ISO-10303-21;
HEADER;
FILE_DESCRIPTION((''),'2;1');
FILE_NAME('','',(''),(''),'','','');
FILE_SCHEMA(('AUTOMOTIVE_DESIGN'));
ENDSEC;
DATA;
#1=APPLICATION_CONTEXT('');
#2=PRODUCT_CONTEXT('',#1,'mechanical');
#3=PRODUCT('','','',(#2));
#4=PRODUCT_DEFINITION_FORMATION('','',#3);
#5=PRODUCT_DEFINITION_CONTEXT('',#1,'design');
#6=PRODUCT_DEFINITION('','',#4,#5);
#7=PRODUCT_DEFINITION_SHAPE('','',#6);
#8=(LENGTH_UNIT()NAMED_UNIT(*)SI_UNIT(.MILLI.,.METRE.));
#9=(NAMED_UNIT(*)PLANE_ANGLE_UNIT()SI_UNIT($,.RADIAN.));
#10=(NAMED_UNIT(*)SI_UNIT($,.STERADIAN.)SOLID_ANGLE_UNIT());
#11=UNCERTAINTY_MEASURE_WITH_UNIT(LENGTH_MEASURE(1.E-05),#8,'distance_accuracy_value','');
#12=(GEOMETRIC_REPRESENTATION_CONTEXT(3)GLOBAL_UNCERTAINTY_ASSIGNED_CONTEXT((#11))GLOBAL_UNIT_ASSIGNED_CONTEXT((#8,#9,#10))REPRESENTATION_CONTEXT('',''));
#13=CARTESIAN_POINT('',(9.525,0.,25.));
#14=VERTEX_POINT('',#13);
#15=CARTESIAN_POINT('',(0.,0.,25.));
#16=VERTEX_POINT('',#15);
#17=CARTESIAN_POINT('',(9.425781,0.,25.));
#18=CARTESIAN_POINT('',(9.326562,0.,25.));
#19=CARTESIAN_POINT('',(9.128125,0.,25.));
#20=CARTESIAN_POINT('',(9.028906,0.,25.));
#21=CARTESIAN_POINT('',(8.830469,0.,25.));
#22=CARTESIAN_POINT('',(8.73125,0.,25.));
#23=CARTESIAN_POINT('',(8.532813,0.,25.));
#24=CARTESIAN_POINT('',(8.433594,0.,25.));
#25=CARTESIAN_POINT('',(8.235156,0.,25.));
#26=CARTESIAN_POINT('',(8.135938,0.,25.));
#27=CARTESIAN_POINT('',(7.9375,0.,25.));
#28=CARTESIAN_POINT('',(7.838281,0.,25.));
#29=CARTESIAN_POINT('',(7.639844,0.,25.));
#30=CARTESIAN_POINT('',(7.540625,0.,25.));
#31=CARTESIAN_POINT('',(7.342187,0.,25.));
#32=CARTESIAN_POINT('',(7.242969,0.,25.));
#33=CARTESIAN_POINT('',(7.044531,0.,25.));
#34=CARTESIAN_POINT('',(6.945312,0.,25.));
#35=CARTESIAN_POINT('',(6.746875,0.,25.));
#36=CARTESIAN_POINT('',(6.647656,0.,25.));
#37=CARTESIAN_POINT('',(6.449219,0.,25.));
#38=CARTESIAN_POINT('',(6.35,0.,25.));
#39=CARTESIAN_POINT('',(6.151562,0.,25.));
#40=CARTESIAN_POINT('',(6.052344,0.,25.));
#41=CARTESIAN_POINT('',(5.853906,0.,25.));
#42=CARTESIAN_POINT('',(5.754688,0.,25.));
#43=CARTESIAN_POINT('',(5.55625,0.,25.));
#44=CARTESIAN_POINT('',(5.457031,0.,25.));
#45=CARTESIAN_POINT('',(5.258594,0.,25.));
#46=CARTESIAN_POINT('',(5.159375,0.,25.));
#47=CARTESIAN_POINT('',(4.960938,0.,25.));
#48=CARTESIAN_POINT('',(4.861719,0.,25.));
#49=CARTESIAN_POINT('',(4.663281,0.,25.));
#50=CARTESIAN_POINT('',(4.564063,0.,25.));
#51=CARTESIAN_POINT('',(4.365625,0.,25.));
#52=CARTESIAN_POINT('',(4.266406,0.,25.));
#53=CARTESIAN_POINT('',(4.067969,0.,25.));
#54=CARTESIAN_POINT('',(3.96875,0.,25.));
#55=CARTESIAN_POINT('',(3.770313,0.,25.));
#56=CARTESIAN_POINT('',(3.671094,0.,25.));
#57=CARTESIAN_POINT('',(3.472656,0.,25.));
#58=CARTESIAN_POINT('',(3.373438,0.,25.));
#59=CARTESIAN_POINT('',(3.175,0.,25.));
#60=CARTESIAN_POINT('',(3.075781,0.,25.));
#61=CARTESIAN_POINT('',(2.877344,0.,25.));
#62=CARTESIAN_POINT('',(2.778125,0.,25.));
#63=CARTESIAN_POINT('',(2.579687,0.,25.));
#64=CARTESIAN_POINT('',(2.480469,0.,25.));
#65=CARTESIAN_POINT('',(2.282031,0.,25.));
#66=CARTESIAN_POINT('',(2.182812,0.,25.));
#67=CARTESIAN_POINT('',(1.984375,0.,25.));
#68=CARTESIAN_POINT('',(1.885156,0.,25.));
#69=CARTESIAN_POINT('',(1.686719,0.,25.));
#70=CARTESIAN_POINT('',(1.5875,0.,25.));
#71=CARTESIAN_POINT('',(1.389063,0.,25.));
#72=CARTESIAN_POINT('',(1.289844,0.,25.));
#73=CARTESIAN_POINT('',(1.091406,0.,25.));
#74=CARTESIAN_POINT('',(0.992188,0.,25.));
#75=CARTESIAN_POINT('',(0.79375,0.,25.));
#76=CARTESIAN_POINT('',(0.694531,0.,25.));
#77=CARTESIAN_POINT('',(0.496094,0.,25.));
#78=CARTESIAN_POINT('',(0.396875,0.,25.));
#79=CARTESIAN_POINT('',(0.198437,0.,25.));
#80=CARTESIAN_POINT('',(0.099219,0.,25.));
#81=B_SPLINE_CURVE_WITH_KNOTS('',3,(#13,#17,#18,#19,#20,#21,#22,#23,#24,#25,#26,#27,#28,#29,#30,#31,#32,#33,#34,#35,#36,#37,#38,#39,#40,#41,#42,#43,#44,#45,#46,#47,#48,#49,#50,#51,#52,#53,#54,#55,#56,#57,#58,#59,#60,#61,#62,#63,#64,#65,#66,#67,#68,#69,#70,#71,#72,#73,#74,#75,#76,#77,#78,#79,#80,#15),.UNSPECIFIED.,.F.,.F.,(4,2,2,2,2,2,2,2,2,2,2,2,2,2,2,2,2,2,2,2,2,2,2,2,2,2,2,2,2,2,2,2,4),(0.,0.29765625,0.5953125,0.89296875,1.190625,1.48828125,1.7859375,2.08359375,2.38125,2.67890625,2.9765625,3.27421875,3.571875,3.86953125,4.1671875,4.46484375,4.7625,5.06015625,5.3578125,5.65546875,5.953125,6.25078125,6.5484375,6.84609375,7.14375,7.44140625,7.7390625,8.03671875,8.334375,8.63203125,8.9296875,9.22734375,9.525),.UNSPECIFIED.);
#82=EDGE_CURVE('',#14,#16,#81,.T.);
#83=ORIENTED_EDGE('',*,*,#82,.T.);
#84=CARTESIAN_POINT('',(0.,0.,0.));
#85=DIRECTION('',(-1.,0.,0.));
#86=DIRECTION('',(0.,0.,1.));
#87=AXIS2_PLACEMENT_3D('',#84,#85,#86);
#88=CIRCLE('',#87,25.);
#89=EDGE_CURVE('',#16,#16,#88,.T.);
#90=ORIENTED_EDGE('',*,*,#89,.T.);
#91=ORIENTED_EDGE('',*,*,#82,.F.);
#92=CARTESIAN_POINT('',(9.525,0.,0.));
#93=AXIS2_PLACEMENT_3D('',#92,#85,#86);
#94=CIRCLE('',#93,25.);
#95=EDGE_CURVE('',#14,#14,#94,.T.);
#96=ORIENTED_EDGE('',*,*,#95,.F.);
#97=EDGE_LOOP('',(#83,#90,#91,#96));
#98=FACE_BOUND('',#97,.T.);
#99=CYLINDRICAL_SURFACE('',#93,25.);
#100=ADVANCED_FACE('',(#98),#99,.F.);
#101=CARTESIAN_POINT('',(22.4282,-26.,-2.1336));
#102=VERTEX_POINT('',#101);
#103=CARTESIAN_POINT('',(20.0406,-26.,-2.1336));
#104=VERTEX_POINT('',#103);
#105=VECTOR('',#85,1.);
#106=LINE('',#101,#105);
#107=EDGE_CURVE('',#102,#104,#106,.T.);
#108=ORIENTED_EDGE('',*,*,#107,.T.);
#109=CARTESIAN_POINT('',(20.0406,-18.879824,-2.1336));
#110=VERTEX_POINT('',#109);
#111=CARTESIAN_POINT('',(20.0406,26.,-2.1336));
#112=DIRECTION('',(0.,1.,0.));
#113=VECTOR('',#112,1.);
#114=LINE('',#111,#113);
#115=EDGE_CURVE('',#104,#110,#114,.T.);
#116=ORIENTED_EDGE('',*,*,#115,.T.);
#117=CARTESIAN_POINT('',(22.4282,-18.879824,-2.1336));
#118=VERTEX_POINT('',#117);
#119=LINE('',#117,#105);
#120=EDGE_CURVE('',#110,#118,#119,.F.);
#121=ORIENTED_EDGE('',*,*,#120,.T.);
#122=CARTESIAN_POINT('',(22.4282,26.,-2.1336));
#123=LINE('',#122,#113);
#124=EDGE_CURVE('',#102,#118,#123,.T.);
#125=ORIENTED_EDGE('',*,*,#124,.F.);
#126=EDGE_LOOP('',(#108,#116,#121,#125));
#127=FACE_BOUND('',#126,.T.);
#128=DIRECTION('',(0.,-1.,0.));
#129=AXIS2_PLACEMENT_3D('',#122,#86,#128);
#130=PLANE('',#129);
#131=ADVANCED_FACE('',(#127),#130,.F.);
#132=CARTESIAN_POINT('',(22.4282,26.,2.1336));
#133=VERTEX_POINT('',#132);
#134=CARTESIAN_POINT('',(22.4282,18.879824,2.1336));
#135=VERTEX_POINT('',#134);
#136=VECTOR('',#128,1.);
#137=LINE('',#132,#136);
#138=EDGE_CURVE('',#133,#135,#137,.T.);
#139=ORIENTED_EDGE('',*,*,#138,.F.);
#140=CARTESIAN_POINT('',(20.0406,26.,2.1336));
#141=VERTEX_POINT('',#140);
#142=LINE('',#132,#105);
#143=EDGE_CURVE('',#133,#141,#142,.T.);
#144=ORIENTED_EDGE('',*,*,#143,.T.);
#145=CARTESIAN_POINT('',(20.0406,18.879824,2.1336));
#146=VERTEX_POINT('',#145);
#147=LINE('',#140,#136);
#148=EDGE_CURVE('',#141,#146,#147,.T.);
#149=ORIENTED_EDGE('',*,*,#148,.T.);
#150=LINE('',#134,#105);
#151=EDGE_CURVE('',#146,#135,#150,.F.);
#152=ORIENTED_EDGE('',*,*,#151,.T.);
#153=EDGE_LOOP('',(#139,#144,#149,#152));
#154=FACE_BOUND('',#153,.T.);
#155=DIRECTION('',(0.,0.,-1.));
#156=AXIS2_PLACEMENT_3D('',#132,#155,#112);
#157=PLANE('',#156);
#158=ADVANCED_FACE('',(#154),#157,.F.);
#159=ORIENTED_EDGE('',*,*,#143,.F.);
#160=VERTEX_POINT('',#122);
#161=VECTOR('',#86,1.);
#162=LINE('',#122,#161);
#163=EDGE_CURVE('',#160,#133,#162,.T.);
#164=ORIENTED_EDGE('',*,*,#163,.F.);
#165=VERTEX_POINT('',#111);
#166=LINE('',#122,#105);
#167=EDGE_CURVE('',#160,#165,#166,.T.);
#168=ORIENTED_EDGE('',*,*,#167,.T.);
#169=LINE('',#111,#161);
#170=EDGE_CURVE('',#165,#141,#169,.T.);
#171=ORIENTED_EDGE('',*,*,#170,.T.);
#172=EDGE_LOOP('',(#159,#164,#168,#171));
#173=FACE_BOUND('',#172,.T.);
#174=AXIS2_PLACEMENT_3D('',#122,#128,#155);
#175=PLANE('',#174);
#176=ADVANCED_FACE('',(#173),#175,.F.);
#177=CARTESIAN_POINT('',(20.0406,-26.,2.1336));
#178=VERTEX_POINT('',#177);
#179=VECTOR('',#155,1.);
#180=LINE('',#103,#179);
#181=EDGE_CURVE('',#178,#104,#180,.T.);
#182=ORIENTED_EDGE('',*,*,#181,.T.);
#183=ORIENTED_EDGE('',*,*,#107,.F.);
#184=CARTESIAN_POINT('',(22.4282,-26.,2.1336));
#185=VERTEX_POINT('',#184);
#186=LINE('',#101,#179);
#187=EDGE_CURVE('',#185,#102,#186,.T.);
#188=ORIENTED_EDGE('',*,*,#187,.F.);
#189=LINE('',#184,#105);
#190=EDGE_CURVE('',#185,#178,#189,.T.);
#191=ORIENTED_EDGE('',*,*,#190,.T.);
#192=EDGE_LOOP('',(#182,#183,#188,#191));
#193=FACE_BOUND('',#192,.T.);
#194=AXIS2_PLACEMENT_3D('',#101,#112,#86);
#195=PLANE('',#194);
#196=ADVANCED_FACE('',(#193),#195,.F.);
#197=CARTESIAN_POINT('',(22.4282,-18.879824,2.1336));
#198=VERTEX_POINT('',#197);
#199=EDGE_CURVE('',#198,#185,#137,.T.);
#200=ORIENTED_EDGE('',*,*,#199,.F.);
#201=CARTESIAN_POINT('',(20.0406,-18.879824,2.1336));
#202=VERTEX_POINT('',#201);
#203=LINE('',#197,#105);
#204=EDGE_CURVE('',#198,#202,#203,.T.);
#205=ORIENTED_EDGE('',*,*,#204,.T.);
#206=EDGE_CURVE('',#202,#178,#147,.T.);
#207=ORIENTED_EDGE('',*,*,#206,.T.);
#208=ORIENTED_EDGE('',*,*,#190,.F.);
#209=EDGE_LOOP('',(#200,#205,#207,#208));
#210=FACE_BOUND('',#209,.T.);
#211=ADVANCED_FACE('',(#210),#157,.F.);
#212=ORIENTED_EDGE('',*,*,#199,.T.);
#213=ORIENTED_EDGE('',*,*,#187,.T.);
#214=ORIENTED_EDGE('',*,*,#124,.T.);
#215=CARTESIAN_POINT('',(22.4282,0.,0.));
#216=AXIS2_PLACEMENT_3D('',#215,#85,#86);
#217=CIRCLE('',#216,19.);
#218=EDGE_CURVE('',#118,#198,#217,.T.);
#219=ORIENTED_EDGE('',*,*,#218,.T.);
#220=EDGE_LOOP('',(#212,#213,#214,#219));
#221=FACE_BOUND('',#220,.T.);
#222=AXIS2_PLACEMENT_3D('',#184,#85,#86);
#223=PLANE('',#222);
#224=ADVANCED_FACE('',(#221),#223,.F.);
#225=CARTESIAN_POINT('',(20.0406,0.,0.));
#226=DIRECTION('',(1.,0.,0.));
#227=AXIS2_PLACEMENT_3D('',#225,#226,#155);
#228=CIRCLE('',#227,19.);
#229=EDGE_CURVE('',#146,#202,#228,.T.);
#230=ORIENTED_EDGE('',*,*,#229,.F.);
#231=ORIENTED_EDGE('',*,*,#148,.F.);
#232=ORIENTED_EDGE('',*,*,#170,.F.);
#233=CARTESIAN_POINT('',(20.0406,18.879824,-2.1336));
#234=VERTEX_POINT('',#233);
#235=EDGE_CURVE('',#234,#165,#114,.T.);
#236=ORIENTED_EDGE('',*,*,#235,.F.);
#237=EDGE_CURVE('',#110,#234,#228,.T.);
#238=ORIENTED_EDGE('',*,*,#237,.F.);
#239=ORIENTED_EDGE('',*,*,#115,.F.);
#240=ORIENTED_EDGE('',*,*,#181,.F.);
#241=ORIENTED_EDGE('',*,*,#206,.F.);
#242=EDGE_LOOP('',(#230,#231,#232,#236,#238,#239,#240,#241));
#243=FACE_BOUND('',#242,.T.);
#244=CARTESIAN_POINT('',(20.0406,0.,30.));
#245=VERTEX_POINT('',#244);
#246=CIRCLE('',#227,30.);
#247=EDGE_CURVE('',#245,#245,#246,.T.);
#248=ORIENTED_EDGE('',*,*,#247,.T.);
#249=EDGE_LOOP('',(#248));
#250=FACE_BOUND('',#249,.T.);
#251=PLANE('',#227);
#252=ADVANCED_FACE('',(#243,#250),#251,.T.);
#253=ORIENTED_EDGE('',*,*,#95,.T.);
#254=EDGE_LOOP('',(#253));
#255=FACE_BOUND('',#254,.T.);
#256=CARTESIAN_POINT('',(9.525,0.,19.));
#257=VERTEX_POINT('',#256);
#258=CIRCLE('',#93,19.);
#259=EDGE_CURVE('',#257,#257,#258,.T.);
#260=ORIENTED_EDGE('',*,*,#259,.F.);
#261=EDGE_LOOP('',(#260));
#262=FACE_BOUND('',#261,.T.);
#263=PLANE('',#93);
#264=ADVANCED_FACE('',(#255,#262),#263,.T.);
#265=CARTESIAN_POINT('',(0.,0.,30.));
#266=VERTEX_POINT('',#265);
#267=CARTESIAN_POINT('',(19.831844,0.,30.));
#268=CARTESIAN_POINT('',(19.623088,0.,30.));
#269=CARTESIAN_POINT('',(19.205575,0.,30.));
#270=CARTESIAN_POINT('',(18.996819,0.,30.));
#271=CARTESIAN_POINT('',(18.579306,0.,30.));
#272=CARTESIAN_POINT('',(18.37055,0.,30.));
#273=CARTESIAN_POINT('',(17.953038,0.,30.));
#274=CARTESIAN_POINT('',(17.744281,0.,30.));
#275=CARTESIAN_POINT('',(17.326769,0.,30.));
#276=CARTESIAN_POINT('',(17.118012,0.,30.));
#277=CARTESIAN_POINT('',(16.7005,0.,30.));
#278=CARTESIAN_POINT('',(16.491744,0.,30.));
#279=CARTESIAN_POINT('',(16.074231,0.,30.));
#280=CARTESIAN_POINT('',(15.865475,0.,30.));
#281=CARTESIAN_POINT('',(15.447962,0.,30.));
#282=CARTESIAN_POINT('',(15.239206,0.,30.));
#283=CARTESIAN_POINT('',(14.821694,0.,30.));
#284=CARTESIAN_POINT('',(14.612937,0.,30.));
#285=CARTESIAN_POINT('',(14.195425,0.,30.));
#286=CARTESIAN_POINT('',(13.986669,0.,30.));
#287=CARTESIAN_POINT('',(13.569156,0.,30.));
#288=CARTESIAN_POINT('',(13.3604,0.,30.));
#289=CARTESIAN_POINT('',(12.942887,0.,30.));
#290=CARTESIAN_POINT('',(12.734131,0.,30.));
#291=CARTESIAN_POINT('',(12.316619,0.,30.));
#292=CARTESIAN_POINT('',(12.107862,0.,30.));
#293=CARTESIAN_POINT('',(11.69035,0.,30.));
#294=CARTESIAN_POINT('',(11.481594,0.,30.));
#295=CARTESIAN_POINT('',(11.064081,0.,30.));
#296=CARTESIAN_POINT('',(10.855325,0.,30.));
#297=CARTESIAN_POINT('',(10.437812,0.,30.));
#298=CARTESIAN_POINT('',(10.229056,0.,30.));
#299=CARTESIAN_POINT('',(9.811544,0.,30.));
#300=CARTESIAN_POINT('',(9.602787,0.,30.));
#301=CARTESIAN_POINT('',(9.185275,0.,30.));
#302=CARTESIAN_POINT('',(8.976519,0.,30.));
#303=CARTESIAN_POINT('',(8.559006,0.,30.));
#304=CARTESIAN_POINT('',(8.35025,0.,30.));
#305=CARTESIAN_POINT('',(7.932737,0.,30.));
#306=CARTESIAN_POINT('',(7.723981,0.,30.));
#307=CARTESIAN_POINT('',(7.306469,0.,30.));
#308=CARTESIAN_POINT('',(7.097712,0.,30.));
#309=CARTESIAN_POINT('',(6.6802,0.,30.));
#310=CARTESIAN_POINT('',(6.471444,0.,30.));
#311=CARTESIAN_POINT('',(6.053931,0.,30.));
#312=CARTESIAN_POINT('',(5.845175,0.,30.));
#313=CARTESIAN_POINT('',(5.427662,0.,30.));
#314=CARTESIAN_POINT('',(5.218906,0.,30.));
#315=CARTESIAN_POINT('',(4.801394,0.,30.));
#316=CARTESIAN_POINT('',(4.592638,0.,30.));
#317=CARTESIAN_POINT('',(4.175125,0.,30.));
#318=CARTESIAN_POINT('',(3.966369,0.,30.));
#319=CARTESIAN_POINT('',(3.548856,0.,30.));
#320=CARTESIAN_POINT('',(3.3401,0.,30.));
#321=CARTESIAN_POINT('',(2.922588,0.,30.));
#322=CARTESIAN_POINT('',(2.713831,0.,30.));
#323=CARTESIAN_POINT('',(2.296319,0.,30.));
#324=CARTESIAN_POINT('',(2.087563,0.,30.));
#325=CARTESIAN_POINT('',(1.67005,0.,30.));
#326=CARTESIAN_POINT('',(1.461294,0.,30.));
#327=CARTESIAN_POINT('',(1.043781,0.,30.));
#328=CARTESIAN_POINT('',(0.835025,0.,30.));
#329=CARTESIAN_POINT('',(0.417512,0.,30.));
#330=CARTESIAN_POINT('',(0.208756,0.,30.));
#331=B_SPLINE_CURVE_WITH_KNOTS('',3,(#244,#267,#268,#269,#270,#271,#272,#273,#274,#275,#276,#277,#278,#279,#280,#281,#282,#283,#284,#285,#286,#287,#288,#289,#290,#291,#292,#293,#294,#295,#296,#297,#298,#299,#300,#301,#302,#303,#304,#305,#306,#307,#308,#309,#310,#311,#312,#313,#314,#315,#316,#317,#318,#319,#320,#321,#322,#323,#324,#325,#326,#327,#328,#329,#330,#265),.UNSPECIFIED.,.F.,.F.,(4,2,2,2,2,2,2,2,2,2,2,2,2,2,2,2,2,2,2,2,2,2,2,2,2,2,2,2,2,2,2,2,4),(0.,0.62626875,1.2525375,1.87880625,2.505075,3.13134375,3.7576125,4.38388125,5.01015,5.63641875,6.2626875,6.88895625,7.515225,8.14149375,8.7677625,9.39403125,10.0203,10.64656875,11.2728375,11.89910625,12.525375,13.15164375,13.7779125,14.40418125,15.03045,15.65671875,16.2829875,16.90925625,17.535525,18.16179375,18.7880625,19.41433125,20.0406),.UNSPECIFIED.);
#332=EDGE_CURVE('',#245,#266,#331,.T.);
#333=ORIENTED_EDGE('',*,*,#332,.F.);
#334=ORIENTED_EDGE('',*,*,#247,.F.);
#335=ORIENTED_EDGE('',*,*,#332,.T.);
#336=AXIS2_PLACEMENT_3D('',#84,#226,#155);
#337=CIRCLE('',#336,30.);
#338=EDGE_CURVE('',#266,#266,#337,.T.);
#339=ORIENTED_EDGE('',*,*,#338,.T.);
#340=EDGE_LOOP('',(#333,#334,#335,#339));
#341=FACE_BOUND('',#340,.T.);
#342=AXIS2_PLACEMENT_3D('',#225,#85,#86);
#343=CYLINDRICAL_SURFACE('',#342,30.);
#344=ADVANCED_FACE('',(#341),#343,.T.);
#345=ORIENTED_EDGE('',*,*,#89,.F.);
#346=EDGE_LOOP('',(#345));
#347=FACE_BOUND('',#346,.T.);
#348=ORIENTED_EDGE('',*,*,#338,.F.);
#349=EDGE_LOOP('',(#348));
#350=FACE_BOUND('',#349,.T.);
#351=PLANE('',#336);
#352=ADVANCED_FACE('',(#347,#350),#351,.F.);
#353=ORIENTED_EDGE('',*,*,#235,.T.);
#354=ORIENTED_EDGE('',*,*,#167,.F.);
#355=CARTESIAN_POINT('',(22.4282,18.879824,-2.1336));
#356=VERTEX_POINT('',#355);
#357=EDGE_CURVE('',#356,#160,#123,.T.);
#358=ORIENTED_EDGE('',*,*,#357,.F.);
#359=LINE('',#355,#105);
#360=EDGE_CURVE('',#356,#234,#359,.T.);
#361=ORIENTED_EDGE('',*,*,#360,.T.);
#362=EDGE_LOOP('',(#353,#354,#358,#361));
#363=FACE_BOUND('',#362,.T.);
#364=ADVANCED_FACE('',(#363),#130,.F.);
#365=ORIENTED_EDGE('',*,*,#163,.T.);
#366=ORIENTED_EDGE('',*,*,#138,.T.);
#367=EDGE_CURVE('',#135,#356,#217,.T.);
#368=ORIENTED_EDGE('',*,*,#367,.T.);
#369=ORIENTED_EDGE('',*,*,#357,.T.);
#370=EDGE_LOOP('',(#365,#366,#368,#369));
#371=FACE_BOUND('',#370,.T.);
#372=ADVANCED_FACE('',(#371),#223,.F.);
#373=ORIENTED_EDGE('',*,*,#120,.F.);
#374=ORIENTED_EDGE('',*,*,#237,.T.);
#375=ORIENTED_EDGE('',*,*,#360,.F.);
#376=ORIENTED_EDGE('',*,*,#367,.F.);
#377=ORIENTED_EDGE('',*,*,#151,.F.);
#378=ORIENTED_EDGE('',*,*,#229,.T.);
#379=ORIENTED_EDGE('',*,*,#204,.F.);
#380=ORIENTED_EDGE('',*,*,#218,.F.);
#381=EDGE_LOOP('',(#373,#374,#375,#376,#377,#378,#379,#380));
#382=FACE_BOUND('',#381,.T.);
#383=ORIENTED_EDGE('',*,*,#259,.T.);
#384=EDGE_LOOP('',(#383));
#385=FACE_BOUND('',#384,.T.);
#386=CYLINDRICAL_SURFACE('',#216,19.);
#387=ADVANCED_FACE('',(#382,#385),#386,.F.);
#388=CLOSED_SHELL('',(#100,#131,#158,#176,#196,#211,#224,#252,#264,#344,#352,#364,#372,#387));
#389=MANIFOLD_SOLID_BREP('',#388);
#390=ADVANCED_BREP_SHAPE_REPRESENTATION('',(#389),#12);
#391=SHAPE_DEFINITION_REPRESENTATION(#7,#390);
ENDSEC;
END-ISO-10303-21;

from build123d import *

# Parameters (mm, degrees)
SKETCH13_R           = 30
BOSS_EXTRUDE11_DEPTH = 20.0406
SKETCH14_R           = 25
CUT_EXTRUDE2_DEPTH   = 9.525
SKETCH16_W           = 4.2672
SKETCH16_H           = 52
BOSS_EXTRUDE12_DEPTH = 2.3876
SKETCH15_R           = 19
CUT_EXTRUDE3_DEPTH   = 48.989833874


with BuildPart() as part:
    # Sketch13 → Boss-Extrude11 (new body)
    with BuildSketch(Plane(origin=(0, 0, 0), x_dir=(0, 0, -1), z_dir=(1, 0, 0))):
        with Locations(Location((0, 0, 0), (0, 0, 180))):
            Circle(SKETCH13_R)
    extrude(amount=BOSS_EXTRUDE11_DEPTH)

    # Sketch14 → Cut-Extrude2 (cut)
    with BuildSketch(Plane.ZY):
        Circle(SKETCH14_R)
    extrude(amount=-CUT_EXTRUDE2_DEPTH, mode=Mode.SUBTRACT)

    # Sketch16 → Boss-Extrude12 (add)
    with BuildSketch(Plane(origin=(20.0406, 0, 0), x_dir=(0, 0, -1), z_dir=(1, 0, 0))):
        Rectangle(SKETCH16_W, SKETCH16_H)
    extrude(amount=BOSS_EXTRUDE12_DEPTH)

    # Sketch15 → Cut-Extrude3 (cut, through all)
    with BuildSketch(Plane.ZY):
        Circle(SKETCH15_R)
    extrude(amount=-CUT_EXTRUDE3_DEPTH, mode=Mode.SUBTRACT)


solid = part.part
